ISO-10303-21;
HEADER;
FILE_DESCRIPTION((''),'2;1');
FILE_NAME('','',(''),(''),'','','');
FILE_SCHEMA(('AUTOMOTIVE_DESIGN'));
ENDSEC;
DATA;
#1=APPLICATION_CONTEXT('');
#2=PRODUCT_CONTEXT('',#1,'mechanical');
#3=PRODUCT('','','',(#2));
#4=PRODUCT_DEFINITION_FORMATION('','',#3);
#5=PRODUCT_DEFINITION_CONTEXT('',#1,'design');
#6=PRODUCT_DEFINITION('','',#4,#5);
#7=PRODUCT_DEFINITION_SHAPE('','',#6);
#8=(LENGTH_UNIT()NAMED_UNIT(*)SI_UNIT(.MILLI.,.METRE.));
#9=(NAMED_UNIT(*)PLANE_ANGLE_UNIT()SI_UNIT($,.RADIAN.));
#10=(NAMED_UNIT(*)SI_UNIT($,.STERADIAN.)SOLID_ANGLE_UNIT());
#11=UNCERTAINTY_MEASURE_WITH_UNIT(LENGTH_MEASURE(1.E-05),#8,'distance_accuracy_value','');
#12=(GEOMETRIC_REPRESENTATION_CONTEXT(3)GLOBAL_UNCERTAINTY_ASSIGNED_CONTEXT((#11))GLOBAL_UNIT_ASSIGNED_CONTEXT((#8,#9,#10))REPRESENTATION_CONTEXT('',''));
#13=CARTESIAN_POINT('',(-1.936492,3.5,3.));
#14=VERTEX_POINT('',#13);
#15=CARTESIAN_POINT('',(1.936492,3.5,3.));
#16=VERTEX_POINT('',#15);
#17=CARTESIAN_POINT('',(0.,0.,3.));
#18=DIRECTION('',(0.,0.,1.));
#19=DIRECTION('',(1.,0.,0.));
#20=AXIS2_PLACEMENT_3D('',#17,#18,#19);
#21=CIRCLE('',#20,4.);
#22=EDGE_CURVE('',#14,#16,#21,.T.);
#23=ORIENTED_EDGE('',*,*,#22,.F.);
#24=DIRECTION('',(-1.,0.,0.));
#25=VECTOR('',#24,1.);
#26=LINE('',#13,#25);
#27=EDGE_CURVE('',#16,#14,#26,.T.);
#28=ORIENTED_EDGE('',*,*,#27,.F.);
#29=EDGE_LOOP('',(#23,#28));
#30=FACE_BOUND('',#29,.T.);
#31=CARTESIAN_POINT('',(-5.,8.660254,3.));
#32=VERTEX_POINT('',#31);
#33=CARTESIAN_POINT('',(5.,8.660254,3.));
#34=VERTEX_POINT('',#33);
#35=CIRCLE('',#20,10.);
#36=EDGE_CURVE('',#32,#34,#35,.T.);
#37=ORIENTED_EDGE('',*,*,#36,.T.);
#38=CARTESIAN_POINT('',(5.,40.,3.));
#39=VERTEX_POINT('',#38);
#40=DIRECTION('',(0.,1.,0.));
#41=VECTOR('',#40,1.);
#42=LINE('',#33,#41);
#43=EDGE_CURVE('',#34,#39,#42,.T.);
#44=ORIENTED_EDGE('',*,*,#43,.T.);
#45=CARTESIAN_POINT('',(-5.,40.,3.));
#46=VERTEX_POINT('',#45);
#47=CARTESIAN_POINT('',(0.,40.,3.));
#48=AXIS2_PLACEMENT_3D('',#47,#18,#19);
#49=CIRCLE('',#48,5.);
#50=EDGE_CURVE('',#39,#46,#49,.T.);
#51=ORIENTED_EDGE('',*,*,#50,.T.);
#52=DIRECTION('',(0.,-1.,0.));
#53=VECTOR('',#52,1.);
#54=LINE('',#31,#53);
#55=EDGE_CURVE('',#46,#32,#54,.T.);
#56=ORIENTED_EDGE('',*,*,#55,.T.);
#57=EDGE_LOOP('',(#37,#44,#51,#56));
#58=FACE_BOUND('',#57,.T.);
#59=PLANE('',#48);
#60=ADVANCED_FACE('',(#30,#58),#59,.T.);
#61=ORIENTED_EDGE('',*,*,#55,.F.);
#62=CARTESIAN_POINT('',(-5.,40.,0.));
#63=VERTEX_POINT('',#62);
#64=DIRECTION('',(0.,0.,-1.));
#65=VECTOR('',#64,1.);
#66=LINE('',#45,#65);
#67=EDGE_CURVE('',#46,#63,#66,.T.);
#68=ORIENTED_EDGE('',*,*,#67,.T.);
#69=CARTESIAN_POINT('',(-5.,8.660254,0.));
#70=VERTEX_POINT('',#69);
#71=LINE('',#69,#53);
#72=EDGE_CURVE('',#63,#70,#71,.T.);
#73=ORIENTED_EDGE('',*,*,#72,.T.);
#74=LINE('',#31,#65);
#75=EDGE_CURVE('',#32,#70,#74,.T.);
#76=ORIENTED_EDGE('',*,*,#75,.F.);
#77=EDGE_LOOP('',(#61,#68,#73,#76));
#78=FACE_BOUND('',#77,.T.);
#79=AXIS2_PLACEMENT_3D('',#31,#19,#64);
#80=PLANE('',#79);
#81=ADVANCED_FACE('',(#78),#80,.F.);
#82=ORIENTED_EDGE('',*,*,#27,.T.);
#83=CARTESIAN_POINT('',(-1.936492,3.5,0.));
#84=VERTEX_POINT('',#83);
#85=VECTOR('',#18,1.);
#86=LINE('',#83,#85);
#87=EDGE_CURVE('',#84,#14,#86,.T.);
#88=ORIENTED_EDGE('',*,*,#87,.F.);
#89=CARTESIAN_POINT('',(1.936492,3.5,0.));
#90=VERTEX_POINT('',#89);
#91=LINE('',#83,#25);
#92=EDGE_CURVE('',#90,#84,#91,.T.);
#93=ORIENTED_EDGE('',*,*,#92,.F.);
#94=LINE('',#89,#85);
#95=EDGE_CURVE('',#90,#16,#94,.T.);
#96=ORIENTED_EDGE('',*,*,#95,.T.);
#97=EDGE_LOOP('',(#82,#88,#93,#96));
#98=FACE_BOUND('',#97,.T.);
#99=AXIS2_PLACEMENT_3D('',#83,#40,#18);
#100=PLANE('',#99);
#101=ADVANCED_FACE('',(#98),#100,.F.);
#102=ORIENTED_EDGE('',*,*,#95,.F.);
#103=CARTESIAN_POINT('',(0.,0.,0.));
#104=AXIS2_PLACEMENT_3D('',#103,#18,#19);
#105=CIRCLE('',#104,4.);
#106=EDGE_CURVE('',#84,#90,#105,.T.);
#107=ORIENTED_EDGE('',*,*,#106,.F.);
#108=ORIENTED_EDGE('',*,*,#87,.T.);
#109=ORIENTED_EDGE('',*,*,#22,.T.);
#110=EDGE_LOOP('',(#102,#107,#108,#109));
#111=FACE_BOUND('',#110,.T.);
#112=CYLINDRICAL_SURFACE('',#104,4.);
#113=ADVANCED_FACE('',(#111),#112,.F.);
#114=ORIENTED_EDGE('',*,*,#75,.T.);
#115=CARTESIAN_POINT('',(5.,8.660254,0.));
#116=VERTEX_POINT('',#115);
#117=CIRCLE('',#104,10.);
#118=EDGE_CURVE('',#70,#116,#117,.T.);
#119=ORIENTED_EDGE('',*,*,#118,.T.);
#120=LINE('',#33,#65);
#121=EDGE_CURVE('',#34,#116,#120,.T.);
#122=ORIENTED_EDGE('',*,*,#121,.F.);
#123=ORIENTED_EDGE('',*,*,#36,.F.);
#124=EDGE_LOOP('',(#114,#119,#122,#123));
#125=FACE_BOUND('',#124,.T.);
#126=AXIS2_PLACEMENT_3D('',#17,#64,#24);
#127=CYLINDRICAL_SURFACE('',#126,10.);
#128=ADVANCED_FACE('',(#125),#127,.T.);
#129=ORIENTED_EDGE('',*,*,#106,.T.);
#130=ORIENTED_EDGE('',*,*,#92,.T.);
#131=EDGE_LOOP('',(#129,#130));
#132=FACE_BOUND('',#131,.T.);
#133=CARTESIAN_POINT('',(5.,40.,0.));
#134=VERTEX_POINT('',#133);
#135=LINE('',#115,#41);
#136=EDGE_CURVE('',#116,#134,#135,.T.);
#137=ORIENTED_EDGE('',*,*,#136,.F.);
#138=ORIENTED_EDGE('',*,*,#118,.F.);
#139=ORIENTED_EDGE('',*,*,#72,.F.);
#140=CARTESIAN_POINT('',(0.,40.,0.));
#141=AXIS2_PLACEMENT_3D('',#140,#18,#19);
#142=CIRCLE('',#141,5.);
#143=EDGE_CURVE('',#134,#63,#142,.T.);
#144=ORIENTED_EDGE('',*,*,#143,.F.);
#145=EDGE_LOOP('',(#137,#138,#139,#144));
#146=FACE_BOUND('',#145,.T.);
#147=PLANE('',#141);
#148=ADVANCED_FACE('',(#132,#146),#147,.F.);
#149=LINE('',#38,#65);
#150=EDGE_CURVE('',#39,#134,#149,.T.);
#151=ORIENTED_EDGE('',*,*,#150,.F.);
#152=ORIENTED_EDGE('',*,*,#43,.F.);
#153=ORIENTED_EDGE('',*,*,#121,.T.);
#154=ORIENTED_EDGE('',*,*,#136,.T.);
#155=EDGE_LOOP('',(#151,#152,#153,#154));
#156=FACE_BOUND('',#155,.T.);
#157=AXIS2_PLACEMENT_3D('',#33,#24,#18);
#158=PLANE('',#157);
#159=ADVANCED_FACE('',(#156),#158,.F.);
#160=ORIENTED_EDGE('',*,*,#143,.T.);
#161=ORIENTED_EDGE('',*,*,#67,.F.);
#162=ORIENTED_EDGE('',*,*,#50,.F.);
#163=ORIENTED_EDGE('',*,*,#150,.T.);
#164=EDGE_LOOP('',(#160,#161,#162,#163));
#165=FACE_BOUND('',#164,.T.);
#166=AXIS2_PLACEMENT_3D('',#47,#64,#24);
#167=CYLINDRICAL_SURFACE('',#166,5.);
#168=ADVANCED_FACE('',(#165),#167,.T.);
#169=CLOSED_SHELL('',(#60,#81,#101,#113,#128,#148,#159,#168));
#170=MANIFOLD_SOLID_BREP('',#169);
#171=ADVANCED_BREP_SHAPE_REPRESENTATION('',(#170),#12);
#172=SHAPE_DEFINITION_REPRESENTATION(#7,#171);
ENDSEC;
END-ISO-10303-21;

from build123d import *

# Parameters (mm, degrees)
EXTRUSION1_DEPTH = 3
EXTRUSION2_DEPTH = 4


with BuildPart() as part:
    # Esquisse1 → Extrusion1 (new body)
    with BuildSketch(Plane.XY):
        with BuildLine():
            Line((-5, 8.660254038), (-5, 40))
            ThreePointArc((-5, 40), (0, 45), (5, 40))
            Line((5, 40), (5, 8.660254038))
            ThreePointArc((5, 8.660254038), (0, -10), (-5, 8.660254038))
        make_face()
    extrude(amount=EXTRUSION1_DEPTH)

    # Esquisse2 → Extrusion2 (cut, through all)
    with BuildSketch(Plane.XY.offset(3)):
        with BuildLine():
            Line((-1.936491673, 3.5), (1.936491673, 3.5))
            ThreePointArc((1.936491673, 3.5), (0, -4), (-1.936491673, 3.5))
        make_face()
    extrude(amount=-EXTRUSION2_DEPTH, mode=Mode.SUBTRACT)


solid = part.part
